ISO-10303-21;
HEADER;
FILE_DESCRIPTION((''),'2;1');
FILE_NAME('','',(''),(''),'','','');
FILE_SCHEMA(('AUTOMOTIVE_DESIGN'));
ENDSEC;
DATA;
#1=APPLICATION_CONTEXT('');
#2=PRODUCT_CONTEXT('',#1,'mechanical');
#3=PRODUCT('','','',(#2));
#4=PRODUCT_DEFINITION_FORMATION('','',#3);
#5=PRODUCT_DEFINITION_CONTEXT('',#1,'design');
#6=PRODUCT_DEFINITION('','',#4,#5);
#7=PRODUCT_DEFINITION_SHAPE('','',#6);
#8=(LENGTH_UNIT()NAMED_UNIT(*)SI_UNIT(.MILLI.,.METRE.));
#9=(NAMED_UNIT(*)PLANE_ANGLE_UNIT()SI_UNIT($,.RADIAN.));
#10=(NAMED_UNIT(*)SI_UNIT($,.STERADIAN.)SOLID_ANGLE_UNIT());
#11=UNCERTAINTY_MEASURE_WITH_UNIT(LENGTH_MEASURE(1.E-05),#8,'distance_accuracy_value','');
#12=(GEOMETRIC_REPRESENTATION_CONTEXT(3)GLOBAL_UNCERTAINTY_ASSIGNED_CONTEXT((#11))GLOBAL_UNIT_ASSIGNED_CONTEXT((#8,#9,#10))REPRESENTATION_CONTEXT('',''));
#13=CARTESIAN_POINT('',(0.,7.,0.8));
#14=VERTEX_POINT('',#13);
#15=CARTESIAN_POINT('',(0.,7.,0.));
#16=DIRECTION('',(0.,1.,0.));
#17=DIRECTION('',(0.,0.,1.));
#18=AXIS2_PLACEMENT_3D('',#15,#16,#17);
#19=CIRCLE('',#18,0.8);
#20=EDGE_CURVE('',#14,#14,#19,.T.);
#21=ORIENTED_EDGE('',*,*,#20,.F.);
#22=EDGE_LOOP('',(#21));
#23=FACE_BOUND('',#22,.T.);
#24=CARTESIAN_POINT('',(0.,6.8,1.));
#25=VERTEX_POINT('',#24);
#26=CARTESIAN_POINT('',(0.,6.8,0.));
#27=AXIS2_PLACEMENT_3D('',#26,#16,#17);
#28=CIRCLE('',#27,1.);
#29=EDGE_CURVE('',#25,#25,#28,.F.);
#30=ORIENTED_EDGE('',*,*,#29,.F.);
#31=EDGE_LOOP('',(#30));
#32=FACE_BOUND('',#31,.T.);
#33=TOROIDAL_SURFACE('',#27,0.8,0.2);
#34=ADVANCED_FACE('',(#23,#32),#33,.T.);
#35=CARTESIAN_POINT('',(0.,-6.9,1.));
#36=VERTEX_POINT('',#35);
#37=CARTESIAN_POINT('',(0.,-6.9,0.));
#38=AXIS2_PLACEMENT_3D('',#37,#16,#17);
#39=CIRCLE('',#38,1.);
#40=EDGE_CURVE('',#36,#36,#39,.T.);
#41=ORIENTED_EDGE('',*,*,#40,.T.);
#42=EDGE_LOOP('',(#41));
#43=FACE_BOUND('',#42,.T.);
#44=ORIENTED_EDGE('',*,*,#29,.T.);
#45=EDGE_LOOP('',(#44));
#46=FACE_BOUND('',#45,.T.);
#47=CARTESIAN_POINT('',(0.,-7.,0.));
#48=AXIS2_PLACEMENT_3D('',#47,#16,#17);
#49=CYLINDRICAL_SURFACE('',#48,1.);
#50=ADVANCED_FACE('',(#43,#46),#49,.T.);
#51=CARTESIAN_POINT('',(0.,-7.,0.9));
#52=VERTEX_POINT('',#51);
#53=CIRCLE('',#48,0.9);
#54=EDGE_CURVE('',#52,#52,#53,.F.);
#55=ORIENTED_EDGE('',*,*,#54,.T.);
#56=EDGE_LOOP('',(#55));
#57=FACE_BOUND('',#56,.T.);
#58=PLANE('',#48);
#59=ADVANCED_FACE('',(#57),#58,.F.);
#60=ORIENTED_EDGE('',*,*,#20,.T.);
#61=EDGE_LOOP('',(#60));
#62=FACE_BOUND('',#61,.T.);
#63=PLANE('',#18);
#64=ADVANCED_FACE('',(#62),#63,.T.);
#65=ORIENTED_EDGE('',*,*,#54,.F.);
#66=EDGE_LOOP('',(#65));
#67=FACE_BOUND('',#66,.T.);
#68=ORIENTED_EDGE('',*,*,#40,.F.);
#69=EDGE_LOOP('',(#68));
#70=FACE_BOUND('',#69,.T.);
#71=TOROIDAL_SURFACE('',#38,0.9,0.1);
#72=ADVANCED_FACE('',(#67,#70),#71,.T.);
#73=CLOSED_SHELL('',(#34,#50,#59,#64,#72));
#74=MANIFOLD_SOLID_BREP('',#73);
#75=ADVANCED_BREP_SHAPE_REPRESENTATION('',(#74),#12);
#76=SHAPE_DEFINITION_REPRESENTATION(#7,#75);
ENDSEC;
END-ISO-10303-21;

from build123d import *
from OCP.BRepFilletAPI import BRepFilletAPI_MakeFillet

# Parameters (mm, degrees)
EXTRUDE_1_DEPTH      = 7
EXTRUDE_1_DEPTH_BACK = 7
SKETCH_1_R           = 1
FILLET_1_R1          = 0.2
FILLET_1_R2          = 0.1


with BuildPart() as part:
    # 草图1 → 凸台-拉伸1 (new, two sides: drawn at the far end of the back side and taken through both)
    with BuildSketch(Plane(origin=(0, 0, 0), x_dir=(1, 0, 0), z_dir=(0, 1, 0)).offset(-EXTRUDE_1_DEPTH_BACK)):
        Circle(SKETCH_1_R)
    extrude(amount=EXTRUDE_1_DEPTH + EXTRUDE_1_DEPTH_BACK)

    # 圆角1: one fillet with a radius per group of edges: ONE call of the kernel's fillet builder (fillet() takes one radius for all edges)
    fillet_1_edges_1 = [part.edges().sort_by_distance(p)[0] for p in [
        (-1, 7, 0),
    ]]
    fillet_1_edges_2 = [part.edges().sort_by_distance(p)[0] for p in [
        (-1, -7, 0),
    ]]
    fillet_1 = BRepFilletAPI_MakeFillet(part.part.solid().wrapped)
    for e in fillet_1_edges_1:
        fillet_1.Add(FILLET_1_R1, e.wrapped)
    for e in fillet_1_edges_2:
        fillet_1.Add(FILLET_1_R2, e.wrapped)
    add(Compound.cast(fillet_1.Shape()), mode=Mode.REPLACE)


solid = part.part
